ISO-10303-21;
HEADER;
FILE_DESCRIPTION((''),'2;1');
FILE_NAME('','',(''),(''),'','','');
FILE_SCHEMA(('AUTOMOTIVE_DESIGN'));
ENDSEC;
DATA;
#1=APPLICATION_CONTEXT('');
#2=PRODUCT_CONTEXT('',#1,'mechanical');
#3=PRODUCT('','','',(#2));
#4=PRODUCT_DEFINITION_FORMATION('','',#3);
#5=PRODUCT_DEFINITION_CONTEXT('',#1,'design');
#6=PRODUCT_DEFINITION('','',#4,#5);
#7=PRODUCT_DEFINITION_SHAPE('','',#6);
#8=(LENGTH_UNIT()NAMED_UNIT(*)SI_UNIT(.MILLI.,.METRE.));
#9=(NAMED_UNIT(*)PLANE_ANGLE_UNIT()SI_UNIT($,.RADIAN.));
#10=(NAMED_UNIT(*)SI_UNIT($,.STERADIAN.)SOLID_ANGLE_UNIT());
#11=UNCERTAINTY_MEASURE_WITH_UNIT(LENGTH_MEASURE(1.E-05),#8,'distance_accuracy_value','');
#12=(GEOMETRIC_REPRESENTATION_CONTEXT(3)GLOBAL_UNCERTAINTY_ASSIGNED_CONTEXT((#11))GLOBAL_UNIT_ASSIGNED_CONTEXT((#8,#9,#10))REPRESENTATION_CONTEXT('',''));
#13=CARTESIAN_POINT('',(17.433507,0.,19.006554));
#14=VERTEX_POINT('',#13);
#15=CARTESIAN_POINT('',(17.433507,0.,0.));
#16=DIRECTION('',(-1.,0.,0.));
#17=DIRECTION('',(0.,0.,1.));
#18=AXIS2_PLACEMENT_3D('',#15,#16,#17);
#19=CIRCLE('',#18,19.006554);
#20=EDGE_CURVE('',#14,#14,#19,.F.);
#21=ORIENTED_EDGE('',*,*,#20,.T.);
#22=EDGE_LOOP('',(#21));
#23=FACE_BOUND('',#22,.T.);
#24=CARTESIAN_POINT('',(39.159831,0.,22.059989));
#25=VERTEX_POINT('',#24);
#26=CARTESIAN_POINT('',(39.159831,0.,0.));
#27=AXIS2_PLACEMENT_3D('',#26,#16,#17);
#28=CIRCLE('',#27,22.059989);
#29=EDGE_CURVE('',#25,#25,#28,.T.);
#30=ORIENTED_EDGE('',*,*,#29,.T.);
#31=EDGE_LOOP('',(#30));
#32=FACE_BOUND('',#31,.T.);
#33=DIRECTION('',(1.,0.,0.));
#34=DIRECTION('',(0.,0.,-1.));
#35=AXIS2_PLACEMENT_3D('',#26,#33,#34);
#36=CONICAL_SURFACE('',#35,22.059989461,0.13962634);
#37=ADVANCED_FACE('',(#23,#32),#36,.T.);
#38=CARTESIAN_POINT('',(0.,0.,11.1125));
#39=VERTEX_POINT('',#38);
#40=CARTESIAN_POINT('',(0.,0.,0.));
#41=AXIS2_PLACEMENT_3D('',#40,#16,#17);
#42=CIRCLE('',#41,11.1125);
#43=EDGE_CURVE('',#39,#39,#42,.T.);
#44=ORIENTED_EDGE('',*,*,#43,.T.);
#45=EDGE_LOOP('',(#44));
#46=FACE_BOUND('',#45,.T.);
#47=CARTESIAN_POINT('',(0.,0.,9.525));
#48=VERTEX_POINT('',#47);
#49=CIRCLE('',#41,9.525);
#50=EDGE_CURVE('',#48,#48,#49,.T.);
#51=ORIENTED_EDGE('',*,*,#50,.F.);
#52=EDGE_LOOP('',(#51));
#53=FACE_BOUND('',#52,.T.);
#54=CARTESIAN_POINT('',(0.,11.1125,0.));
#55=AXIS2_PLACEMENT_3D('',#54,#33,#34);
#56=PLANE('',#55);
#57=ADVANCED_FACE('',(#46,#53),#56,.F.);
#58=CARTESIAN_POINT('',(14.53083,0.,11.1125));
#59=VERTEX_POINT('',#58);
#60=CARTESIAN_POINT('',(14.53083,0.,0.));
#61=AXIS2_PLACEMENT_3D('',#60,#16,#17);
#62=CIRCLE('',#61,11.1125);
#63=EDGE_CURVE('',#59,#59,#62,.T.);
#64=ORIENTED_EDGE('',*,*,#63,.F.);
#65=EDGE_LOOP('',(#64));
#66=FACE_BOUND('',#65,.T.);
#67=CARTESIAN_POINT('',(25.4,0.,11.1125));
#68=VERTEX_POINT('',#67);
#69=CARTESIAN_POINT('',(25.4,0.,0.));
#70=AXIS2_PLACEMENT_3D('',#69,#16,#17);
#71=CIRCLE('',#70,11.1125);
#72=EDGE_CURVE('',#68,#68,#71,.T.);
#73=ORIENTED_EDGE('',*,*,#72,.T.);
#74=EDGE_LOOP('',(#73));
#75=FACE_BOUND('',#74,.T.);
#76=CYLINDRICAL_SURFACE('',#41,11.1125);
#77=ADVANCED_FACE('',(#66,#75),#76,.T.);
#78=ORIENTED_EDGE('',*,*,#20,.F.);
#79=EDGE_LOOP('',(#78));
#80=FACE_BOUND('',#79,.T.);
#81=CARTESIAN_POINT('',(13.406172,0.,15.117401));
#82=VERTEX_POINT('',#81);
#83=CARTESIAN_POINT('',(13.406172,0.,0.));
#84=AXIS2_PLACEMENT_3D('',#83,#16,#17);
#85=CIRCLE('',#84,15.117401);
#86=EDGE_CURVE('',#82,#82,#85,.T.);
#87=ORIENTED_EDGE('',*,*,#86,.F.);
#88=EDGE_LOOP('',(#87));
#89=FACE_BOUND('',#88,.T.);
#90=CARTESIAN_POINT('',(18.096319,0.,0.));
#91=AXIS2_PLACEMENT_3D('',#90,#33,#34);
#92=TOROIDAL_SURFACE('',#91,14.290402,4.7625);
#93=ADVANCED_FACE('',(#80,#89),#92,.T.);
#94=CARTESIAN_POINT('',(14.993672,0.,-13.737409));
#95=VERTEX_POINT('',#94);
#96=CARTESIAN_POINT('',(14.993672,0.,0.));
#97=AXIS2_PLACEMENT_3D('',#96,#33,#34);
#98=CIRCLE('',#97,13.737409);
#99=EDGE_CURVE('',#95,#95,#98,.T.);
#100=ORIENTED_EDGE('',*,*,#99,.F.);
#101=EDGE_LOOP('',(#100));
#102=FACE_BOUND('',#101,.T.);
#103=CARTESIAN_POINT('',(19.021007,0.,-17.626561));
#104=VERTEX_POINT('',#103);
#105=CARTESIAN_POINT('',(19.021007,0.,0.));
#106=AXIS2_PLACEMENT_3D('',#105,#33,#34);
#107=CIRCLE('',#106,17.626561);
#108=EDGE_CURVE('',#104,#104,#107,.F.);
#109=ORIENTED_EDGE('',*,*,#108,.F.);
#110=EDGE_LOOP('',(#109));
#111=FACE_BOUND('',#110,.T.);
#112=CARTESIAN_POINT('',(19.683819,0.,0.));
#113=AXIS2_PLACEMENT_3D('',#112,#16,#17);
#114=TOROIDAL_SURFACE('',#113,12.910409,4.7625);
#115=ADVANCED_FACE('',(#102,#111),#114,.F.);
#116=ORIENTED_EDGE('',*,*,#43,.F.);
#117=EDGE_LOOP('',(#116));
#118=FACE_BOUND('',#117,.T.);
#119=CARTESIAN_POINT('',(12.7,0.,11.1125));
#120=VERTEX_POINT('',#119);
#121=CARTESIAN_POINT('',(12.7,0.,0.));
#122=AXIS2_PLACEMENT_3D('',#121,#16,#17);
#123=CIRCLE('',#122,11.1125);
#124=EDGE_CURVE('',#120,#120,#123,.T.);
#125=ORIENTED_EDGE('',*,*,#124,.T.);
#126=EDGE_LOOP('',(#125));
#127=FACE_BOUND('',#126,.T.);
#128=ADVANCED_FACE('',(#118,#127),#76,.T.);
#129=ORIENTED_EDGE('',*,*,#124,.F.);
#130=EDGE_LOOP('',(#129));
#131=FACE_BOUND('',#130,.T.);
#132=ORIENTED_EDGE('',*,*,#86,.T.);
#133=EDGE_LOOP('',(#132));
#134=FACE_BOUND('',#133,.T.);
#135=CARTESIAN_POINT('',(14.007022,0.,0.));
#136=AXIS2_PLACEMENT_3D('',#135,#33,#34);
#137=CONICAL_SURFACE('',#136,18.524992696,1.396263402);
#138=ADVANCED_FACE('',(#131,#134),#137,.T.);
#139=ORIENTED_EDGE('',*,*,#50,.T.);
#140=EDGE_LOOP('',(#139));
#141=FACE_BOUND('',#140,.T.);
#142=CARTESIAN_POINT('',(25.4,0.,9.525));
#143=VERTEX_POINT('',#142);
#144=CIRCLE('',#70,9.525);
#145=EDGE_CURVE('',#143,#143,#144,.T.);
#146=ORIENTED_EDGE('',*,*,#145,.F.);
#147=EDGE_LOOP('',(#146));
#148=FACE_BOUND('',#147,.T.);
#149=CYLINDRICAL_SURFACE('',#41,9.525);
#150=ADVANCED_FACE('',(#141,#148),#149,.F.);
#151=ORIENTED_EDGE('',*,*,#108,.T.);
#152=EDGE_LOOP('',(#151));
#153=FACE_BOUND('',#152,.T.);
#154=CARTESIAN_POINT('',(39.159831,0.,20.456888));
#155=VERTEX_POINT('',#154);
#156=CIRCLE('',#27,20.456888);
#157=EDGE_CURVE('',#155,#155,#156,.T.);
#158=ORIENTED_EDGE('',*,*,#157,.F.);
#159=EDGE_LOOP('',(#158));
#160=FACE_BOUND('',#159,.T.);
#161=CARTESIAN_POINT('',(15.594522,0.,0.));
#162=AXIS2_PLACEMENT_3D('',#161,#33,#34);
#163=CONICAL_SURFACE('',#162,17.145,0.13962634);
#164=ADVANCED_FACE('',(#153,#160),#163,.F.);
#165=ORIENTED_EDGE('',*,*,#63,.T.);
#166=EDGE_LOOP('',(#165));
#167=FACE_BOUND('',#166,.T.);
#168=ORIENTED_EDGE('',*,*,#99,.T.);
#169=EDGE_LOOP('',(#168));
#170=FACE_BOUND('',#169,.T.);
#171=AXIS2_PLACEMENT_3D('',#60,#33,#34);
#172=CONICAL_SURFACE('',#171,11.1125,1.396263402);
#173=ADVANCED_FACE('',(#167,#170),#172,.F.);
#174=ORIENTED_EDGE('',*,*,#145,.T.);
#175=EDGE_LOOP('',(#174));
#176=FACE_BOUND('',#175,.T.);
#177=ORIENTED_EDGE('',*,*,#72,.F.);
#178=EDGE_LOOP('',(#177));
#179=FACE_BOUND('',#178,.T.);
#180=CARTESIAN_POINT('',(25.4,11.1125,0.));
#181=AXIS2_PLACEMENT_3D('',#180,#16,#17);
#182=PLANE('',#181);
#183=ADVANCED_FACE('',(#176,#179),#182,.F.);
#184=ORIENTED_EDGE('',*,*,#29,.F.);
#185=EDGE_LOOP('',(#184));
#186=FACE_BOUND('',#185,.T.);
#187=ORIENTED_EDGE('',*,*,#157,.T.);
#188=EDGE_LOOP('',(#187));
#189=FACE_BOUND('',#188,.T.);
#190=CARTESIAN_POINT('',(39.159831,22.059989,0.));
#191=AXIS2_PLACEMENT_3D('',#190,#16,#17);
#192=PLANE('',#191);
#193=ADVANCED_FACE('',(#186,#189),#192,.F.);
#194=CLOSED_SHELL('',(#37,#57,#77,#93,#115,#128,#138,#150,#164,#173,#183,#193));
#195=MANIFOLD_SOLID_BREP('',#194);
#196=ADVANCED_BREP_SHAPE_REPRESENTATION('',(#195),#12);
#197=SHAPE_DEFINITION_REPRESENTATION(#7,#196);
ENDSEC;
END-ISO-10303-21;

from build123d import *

# Parameters (mm, degrees)
FILLET1_R = 4.7625


with BuildPart() as part:
    # Sketch1 → Revolve1 (revolve)
    with BuildSketch(Plane.XY, mode=Mode.PRIVATE) as revolve1_sk:
        Polygon((0, 11.1125), (12.7, 11.1125), (14.007022457, 18.524992696), (39.159831403, 22.059989461), (39.159831403, 20.456888189), (15.594522457, 17.145), (14.530829946, 11.1125), (25.4, 11.1125), (25.4, 9.525), (0, 9.525), align=None)
    revolve(revolve1_sk.sketch.rotate(Axis((0, 0, 0), (1, 0, 0)), 90), axis=Axis((0, 0, 0), (1, 0, 0)))

    # Fillet1
    fillet1_edges = [part.edges().sort_by_distance(p)[0] for p in [
        (14.007022457, 0, -18.524992696),
        (15.594522457, 0, -17.145),
    ]]
    fillet(fillet1_edges, radius=FILLET1_R)


solid = part.part
